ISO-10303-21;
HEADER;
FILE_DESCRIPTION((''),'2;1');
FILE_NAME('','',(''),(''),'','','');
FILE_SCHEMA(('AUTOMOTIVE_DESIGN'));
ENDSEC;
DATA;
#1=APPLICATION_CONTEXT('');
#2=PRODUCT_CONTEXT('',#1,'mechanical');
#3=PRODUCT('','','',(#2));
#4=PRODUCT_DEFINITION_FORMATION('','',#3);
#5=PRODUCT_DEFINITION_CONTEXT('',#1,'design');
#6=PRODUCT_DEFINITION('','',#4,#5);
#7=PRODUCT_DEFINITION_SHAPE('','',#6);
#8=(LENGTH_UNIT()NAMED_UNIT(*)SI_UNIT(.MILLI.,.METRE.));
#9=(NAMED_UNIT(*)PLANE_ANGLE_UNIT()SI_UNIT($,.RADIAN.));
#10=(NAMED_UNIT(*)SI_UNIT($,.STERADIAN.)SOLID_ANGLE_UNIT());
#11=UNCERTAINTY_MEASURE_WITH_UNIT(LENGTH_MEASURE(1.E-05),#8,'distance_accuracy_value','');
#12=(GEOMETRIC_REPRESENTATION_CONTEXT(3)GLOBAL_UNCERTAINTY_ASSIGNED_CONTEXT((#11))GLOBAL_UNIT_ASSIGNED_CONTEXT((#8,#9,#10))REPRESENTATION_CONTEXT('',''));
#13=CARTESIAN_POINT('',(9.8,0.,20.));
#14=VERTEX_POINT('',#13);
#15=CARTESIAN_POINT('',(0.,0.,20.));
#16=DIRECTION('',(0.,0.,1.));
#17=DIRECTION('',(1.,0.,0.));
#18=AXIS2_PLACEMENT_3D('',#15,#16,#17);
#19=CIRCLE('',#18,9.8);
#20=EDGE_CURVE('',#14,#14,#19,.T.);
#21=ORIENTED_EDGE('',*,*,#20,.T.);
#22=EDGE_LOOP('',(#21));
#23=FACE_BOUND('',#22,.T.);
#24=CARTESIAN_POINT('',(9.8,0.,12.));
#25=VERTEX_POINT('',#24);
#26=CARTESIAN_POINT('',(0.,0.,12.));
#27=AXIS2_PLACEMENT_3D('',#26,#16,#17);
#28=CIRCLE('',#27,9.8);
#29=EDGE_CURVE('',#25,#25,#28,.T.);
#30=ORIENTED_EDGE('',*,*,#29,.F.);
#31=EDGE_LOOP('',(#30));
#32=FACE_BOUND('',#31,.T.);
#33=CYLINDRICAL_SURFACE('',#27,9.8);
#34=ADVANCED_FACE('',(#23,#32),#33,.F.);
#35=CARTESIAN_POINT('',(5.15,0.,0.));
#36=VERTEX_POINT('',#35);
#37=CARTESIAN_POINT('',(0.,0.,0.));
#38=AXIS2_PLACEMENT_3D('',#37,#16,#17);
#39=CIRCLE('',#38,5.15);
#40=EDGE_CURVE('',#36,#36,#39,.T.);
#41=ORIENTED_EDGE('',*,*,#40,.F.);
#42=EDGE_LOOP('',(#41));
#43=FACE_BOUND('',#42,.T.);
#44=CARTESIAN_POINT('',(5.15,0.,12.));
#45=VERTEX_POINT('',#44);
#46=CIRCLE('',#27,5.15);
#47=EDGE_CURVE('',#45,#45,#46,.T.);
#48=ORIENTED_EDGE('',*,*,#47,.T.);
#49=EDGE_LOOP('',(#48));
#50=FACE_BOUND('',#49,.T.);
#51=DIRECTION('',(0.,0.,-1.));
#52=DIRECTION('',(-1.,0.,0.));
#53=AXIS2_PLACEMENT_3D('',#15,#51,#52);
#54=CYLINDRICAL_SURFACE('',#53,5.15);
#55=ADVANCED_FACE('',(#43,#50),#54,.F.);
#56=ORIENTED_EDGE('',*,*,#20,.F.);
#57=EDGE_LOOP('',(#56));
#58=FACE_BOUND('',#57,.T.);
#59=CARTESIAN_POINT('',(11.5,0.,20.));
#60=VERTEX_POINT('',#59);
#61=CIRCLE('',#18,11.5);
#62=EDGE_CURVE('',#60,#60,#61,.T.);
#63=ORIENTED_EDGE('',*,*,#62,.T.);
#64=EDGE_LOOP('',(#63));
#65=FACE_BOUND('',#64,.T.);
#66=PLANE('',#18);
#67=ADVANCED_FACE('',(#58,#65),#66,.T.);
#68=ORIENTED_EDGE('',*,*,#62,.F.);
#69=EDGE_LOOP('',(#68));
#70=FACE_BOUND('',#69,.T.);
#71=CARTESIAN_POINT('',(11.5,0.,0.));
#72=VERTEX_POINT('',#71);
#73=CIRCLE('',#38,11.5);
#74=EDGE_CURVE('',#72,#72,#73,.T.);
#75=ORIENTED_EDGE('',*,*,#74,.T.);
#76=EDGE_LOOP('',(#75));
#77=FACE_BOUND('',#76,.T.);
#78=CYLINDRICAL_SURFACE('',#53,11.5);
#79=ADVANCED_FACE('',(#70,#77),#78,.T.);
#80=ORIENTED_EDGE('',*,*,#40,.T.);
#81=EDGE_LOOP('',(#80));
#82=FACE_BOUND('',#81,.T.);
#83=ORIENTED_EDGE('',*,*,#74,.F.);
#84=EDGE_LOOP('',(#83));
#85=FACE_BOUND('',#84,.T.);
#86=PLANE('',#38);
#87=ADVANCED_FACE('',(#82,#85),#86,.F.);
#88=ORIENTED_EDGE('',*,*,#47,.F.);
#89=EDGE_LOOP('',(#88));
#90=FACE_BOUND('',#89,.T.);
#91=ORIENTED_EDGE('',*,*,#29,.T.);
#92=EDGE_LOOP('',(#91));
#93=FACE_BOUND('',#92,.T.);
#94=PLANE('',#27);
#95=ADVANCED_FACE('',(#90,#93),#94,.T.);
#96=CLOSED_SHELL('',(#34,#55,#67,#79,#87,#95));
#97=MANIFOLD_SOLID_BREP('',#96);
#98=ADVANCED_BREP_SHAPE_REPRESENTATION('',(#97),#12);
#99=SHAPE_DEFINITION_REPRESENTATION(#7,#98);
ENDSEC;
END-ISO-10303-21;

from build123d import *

# Parameters (mm, degrees)
SKETCH1_R           = 11.5
SKETCH1_R_2         = 5.15
BOSS_EXTRUDE1_DEPTH = 20
SKETCH2_R           = 9.8
CUT_EXTRUDE1_DEPTH  = 8


with BuildPart() as part:
    # Sketch1 → Boss-Extrude1 (new body)
    with BuildSketch(Plane.XY):
        Circle(SKETCH1_R)
        Circle(SKETCH1_R_2, mode=Mode.SUBTRACT)
    extrude(amount=BOSS_EXTRUDE1_DEPTH)

    # Sketch2 → Cut-Extrude1 (cut)
    with BuildSketch(Plane.XY.offset(20)):
        Circle(SKETCH2_R)
    extrude(amount=-CUT_EXTRUDE1_DEPTH, mode=Mode.SUBTRACT)


solid = part.part
